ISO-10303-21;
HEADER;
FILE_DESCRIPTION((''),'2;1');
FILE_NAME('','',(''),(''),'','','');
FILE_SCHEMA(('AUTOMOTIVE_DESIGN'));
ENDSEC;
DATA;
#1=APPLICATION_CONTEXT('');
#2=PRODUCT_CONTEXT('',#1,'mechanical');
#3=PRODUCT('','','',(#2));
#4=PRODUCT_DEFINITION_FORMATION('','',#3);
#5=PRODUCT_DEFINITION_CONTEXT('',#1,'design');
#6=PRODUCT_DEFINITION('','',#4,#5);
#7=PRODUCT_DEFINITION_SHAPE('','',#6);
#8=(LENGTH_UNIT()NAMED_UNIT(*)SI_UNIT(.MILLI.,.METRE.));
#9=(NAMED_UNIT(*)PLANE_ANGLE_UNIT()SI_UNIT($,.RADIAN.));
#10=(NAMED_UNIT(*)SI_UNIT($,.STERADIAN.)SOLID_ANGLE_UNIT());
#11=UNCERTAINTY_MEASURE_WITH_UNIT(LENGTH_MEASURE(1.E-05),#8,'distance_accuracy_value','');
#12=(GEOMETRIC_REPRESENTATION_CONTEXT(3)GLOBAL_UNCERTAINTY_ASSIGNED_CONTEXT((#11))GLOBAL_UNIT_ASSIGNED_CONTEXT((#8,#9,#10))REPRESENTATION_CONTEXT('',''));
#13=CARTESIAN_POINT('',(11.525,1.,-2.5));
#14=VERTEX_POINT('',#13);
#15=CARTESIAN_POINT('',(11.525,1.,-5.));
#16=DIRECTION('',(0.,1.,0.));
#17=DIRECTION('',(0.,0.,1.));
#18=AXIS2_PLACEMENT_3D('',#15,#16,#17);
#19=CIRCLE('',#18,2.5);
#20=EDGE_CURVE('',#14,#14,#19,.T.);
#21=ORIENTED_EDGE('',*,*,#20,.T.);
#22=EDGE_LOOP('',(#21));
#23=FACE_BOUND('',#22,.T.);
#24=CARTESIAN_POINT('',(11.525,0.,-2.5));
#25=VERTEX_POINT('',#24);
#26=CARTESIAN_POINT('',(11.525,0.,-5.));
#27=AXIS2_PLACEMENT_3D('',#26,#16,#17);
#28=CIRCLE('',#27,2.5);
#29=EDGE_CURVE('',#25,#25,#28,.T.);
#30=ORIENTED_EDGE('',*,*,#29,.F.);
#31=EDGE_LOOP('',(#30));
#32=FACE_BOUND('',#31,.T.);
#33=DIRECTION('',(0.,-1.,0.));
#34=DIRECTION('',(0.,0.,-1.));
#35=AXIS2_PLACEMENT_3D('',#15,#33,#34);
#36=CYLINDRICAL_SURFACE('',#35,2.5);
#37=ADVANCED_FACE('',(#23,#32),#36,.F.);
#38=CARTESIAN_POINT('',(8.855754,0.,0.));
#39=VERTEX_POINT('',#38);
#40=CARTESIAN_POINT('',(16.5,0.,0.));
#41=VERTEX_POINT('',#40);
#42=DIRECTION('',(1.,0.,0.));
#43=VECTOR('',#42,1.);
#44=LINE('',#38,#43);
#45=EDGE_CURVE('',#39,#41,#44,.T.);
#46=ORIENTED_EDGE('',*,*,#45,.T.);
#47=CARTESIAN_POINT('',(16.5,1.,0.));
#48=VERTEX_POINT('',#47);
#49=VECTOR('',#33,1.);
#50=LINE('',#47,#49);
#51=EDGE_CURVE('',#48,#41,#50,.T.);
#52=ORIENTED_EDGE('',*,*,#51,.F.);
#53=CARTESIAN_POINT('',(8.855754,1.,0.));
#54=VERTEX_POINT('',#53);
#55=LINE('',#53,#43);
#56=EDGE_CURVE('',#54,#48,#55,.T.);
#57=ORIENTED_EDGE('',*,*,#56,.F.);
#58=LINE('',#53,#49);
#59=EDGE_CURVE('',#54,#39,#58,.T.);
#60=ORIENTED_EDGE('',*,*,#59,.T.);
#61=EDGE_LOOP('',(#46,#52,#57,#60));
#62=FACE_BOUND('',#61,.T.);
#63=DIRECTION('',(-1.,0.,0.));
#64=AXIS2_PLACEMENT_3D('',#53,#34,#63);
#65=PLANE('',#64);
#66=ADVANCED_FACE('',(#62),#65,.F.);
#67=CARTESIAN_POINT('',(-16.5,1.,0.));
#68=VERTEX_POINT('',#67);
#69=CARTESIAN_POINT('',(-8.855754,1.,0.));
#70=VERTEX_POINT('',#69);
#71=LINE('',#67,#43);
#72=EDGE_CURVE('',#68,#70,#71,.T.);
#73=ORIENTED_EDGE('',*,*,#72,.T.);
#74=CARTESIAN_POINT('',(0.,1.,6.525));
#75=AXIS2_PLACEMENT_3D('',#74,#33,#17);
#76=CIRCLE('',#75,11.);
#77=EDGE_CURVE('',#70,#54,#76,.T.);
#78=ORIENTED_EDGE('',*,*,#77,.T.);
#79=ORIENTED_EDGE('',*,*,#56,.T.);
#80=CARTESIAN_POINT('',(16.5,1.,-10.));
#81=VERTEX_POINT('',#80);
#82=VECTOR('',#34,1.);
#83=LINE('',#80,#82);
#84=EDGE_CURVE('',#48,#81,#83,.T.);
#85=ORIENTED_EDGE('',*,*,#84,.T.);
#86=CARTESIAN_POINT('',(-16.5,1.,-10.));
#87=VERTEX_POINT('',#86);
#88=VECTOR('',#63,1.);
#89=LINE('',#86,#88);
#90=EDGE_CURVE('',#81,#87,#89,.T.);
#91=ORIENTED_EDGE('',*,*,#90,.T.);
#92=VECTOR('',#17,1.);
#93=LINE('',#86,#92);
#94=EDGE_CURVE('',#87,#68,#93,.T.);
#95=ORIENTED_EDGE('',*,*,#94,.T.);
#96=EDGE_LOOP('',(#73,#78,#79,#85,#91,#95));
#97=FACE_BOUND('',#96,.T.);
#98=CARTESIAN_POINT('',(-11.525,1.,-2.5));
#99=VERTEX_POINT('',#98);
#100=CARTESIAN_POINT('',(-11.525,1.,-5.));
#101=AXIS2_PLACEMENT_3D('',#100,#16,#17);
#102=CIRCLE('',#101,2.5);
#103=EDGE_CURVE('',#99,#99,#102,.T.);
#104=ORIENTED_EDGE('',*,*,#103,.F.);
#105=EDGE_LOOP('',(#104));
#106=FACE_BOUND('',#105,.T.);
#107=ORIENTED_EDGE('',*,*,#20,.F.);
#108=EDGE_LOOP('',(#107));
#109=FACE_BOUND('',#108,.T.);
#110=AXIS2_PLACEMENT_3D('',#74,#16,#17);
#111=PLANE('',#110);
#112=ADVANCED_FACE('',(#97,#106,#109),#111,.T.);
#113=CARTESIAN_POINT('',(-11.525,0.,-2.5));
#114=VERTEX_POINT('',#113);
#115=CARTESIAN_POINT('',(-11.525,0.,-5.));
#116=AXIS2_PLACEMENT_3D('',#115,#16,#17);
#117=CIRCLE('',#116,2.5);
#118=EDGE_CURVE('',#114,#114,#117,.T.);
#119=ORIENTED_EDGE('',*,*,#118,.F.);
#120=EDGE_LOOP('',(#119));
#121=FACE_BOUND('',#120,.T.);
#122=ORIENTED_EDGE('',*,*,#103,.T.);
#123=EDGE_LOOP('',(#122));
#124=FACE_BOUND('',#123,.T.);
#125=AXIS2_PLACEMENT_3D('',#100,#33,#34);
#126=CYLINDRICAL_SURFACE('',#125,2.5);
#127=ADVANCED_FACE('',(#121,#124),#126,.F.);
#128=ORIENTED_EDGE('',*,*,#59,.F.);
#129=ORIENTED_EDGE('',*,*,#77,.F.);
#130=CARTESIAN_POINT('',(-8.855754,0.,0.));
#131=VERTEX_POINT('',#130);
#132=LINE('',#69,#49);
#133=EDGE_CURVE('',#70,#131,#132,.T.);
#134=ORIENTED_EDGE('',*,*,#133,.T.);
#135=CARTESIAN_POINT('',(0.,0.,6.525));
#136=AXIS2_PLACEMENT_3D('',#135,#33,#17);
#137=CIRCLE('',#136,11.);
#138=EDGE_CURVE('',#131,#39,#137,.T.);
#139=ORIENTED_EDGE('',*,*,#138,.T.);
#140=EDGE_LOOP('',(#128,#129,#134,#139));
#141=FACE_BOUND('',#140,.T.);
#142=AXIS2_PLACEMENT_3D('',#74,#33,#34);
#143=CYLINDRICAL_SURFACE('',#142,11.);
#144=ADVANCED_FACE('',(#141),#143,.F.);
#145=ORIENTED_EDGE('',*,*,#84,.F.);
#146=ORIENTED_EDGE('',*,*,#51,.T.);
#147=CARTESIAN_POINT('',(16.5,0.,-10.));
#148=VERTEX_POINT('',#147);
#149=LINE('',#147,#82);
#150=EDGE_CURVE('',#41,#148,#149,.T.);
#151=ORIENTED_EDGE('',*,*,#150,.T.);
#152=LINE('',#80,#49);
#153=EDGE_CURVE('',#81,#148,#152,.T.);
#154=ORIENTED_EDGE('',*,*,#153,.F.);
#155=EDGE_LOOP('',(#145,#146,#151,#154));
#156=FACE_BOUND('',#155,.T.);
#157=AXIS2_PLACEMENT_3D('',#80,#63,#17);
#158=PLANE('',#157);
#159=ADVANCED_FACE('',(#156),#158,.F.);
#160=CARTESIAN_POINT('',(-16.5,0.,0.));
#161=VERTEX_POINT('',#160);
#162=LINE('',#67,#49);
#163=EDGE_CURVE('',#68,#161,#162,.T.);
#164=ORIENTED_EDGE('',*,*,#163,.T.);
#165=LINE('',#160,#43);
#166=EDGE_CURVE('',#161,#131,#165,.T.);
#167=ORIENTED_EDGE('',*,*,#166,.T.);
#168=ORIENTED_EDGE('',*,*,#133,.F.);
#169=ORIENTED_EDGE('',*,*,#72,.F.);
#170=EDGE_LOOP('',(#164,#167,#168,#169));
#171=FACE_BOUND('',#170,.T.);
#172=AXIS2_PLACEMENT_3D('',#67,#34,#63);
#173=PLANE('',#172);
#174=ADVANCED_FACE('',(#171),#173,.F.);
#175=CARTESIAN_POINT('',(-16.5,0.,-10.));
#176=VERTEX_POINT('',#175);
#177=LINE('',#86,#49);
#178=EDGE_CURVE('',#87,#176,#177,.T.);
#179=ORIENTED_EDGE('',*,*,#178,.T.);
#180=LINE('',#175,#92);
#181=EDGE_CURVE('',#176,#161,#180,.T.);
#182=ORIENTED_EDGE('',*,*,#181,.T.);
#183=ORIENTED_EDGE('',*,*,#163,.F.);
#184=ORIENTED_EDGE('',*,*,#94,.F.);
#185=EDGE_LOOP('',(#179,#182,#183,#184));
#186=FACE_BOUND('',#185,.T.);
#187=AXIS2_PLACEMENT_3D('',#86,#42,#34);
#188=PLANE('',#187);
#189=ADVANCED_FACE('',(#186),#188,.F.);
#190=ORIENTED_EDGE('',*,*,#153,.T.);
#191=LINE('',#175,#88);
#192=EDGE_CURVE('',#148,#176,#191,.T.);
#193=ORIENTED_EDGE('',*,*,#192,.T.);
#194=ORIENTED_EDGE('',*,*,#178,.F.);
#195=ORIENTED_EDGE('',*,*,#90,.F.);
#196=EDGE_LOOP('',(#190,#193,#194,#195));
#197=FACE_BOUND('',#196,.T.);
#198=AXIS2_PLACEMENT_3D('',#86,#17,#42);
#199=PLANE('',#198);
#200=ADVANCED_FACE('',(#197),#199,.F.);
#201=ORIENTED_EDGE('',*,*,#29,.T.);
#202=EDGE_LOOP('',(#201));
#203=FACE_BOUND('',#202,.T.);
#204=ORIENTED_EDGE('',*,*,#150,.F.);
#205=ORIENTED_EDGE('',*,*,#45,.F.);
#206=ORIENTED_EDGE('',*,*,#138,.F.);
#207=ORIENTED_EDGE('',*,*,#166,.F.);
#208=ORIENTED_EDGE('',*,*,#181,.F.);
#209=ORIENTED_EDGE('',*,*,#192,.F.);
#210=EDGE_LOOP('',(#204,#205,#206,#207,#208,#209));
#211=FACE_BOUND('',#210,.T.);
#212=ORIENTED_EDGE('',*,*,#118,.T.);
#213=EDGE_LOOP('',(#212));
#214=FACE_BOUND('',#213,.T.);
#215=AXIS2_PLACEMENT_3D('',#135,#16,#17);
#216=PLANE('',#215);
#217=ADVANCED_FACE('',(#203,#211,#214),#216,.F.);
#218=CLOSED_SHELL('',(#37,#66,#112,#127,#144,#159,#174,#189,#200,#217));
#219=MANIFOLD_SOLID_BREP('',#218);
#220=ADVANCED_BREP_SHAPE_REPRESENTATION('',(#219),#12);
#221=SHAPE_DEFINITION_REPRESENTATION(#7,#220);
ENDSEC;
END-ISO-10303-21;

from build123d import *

# Parameters (mm, degrees)
SKETCH1_R           = 2.5
BOSS_EXTRUDE1_DEPTH = 1


with BuildPart() as part:
    # Sketch1 → Boss-Extrude1 (new body)
    with BuildSketch(Plane(origin=(0, 0, 0), x_dir=(1, 0, 0), z_dir=(0, 1, 0))):
        with BuildLine():
            Line((-16.5, 10), (16.5, 10))
            Line((16.5, 10), (16.5, 0))
            Line((16.5, 0), (8.855753779, 0))
            ThreePointArc((8.855753779, 0), (0, 4.475), (-8.855753779, 0))
            Line((-8.855753779, 0), (-16.5, 0))
            Line((-16.5, 0), (-16.5, 10))
        make_face()
        with Locations((-11.525, 5)):
            Circle(SKETCH1_R, mode=Mode.SUBTRACT)
        with Locations((11.525, 5)):
            Circle(SKETCH1_R, mode=Mode.SUBTRACT)
    extrude(amount=BOSS_EXTRUDE1_DEPTH)


solid = part.part
